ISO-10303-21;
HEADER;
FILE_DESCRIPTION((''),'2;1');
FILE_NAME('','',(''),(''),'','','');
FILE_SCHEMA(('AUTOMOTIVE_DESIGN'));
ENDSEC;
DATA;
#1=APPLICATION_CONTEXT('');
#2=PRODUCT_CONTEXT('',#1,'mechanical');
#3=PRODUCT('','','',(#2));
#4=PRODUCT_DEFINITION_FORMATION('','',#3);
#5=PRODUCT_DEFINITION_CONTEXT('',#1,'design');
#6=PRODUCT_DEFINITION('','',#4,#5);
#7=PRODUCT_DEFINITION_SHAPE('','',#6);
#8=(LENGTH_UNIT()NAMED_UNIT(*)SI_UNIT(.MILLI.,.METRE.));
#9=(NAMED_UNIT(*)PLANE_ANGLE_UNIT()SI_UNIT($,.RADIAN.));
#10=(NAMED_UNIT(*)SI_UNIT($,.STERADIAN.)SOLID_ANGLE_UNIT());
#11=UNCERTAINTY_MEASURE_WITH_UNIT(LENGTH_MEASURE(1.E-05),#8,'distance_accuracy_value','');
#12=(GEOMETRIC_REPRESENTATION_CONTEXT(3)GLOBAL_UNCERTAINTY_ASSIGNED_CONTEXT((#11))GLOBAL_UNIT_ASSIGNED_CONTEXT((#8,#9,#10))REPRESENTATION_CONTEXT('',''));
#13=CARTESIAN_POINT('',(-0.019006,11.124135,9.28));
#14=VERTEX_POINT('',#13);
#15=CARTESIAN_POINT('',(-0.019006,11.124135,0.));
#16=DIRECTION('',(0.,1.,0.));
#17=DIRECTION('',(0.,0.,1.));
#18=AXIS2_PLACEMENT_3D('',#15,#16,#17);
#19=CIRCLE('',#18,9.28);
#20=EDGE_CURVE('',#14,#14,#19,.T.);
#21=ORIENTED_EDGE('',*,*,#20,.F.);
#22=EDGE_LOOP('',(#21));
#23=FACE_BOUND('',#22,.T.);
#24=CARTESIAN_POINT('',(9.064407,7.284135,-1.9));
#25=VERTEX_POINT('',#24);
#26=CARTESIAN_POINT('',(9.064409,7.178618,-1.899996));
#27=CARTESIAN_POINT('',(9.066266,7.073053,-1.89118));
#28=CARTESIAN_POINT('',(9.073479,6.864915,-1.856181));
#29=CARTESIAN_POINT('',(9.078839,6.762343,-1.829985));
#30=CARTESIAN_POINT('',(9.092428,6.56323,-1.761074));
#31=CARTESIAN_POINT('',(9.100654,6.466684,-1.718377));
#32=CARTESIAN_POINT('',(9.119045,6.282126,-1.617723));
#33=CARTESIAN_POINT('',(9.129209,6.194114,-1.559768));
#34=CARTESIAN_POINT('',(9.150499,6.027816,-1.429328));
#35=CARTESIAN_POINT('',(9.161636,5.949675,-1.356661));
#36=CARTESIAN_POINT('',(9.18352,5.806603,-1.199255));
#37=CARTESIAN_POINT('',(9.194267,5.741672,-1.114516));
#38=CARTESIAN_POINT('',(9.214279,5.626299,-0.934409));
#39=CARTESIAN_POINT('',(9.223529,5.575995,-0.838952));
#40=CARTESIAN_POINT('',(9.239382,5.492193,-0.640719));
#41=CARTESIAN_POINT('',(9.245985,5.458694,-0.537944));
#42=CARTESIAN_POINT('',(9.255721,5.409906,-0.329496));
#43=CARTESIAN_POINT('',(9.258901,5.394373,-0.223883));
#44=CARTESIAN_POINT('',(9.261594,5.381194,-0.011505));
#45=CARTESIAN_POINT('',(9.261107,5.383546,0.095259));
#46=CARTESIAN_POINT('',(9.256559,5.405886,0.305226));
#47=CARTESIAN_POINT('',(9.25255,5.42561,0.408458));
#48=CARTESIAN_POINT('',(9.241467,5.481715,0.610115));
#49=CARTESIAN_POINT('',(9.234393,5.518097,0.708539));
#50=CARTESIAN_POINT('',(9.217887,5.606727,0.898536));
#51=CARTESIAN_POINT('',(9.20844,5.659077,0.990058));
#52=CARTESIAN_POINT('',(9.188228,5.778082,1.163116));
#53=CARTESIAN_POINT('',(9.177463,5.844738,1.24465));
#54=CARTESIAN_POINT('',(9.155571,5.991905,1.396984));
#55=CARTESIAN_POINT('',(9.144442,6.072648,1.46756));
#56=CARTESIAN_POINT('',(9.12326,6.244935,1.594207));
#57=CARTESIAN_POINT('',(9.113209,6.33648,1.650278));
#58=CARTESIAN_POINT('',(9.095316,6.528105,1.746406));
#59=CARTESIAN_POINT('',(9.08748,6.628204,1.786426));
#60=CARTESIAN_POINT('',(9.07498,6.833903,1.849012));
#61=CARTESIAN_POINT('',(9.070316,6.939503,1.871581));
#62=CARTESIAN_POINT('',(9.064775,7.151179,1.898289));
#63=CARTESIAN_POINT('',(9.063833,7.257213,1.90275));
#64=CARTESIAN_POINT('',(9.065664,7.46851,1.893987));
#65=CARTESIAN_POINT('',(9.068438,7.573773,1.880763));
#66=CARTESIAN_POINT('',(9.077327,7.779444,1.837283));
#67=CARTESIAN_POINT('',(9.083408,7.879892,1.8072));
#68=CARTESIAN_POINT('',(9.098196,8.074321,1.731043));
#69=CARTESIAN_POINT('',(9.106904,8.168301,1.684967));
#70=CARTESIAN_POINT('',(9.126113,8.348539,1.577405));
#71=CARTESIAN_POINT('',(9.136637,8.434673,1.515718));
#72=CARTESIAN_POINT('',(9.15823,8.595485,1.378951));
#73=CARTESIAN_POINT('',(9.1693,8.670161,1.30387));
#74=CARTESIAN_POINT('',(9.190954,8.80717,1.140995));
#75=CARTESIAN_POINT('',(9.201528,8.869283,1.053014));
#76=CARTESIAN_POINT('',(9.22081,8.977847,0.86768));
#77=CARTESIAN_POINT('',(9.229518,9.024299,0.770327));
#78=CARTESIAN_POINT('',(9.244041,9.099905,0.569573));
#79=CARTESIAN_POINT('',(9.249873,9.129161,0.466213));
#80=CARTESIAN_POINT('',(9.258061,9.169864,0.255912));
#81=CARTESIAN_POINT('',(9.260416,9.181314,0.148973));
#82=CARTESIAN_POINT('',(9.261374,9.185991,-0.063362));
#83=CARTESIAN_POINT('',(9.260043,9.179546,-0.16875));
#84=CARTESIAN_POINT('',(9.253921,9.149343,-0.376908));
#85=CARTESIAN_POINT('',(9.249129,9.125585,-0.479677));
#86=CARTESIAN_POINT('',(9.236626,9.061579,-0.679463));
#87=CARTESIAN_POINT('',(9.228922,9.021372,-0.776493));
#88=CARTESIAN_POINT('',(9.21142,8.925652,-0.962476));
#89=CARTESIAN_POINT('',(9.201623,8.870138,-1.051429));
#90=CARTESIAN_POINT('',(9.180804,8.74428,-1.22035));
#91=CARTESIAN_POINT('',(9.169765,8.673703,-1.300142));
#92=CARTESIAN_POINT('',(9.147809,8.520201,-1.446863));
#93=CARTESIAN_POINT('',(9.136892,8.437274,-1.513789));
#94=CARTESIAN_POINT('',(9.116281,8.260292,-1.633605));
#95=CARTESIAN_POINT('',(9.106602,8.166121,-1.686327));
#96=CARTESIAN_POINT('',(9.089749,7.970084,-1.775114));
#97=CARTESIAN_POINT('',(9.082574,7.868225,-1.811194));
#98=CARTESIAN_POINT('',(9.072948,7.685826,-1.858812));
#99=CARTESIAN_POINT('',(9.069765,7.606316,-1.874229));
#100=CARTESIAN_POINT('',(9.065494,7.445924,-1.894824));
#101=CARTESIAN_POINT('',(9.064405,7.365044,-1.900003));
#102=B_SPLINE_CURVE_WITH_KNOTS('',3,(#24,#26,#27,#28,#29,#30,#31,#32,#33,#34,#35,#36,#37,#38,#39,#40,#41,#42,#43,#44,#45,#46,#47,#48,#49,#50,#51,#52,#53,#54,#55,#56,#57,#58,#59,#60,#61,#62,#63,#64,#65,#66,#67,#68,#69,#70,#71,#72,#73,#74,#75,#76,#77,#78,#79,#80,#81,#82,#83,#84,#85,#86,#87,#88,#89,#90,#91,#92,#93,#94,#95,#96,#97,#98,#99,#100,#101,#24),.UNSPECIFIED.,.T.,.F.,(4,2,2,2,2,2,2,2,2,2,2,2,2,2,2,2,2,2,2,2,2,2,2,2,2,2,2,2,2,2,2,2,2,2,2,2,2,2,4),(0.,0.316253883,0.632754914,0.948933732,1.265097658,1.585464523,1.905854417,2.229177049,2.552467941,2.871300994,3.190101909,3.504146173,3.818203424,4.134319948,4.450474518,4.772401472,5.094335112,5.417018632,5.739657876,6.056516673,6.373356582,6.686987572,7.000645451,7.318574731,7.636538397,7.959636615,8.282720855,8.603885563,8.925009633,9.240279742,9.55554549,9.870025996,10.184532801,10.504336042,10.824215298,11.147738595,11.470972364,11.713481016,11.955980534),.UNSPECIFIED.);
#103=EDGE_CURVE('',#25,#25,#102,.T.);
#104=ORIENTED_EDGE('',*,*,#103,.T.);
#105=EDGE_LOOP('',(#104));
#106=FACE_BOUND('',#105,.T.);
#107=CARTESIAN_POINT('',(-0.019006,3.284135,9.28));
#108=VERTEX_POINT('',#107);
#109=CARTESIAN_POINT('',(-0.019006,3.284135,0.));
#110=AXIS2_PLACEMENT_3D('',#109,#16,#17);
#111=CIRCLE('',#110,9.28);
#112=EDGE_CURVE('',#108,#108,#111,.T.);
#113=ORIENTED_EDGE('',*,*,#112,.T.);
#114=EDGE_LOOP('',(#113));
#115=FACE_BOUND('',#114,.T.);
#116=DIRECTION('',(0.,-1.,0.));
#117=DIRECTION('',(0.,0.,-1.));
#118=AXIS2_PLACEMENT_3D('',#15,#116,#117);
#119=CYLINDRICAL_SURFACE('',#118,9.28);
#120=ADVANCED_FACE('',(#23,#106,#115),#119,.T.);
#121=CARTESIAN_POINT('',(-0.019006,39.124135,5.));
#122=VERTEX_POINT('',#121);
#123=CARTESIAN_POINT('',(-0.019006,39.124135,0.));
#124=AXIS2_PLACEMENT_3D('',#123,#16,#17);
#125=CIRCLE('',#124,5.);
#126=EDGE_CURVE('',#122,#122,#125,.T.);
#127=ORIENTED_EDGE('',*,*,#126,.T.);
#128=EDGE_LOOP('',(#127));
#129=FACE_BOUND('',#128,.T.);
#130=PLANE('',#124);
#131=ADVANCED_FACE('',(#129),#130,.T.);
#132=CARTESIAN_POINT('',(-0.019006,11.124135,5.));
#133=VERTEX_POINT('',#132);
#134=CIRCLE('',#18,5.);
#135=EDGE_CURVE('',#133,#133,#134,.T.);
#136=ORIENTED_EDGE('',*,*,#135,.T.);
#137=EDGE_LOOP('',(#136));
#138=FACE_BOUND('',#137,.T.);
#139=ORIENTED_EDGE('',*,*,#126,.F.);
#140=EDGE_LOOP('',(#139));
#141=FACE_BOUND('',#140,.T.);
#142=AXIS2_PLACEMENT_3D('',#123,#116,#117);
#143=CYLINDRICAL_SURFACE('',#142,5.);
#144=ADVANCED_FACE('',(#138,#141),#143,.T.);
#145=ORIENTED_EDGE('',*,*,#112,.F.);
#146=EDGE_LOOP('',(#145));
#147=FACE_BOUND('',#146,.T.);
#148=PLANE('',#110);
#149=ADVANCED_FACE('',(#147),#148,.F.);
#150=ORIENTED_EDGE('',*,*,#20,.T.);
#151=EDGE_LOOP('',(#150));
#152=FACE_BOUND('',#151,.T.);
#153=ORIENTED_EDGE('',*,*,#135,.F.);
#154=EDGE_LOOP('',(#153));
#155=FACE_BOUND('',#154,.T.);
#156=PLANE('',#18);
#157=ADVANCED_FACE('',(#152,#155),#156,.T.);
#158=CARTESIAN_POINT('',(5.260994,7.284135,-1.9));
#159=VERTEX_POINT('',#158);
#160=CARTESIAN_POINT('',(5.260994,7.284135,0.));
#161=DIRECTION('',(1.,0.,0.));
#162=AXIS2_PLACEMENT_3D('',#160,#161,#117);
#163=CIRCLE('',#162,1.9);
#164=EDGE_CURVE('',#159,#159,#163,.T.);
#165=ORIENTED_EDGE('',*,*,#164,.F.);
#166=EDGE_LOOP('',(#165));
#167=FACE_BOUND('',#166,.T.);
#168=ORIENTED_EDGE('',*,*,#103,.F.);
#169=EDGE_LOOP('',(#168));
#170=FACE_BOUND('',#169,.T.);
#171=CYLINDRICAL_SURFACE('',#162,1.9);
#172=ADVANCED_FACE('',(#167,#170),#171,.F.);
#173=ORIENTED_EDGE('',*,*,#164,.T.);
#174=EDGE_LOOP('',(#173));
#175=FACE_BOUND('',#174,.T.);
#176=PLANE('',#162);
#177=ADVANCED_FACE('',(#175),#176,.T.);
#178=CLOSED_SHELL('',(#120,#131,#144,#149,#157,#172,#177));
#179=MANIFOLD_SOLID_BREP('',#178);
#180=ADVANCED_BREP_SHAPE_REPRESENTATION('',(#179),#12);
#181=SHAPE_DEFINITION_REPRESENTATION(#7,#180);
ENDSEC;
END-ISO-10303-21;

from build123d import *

# Parameters (mm, degrees)
SKETCH2_R           = 11.6
BOSS_EXTRUDE1_DEPTH = 9.8
SKETCH7_R           = 6.25
BOSS_EXTRUDE3_DEPTH = 35
SKETCH3_R           = 2.375
CUT_EXTRUDE1_DEPTH  = 5
SCALE1_SCALE        = 0.8


with BuildPart() as part:
    # Sketch2 → Boss-Extrude1 (new body)
    with BuildSketch(Plane(origin=(0, 0, 0), x_dir=(1, 0, 0), z_dir=(0, 1, 0))):
        with Locations(Location((0, 0, 0), (0, 0, 270))):
            Circle(SKETCH2_R)
    extrude(amount=BOSS_EXTRUDE1_DEPTH)

    # Sketch7 → Boss-Extrude3 (add)
    with BuildSketch(Plane(origin=(0, 9.8, 0), x_dir=(1, 0, 0), z_dir=(0, 1, 0))):
        with Locations(Location((0, 0, 0), (0, 0, 270))):
            Circle(SKETCH7_R)
    extrude(amount=BOSS_EXTRUDE3_DEPTH)

    # Sketch3 → Cut-Extrude1 (cut)
    with BuildSketch(Plane(origin=(11.6, 0, 0), x_dir=(0, 0, -1), z_dir=(1, 0, 0))):
        with Locations((0, 5)):
            Circle(SKETCH3_R)
    extrude(amount=-CUT_EXTRUDE1_DEPTH, mode=Mode.SUBTRACT)


with BuildPart() as part_1:
    # Scale1: scaled about (-0.095056518, 16.420693109, 4.829e-06)
    add(part.part.scale(SCALE1_SCALE).moved(Location((-0.019011304, 3.284138622, 9.66e-07))))


solid = part_1.part
